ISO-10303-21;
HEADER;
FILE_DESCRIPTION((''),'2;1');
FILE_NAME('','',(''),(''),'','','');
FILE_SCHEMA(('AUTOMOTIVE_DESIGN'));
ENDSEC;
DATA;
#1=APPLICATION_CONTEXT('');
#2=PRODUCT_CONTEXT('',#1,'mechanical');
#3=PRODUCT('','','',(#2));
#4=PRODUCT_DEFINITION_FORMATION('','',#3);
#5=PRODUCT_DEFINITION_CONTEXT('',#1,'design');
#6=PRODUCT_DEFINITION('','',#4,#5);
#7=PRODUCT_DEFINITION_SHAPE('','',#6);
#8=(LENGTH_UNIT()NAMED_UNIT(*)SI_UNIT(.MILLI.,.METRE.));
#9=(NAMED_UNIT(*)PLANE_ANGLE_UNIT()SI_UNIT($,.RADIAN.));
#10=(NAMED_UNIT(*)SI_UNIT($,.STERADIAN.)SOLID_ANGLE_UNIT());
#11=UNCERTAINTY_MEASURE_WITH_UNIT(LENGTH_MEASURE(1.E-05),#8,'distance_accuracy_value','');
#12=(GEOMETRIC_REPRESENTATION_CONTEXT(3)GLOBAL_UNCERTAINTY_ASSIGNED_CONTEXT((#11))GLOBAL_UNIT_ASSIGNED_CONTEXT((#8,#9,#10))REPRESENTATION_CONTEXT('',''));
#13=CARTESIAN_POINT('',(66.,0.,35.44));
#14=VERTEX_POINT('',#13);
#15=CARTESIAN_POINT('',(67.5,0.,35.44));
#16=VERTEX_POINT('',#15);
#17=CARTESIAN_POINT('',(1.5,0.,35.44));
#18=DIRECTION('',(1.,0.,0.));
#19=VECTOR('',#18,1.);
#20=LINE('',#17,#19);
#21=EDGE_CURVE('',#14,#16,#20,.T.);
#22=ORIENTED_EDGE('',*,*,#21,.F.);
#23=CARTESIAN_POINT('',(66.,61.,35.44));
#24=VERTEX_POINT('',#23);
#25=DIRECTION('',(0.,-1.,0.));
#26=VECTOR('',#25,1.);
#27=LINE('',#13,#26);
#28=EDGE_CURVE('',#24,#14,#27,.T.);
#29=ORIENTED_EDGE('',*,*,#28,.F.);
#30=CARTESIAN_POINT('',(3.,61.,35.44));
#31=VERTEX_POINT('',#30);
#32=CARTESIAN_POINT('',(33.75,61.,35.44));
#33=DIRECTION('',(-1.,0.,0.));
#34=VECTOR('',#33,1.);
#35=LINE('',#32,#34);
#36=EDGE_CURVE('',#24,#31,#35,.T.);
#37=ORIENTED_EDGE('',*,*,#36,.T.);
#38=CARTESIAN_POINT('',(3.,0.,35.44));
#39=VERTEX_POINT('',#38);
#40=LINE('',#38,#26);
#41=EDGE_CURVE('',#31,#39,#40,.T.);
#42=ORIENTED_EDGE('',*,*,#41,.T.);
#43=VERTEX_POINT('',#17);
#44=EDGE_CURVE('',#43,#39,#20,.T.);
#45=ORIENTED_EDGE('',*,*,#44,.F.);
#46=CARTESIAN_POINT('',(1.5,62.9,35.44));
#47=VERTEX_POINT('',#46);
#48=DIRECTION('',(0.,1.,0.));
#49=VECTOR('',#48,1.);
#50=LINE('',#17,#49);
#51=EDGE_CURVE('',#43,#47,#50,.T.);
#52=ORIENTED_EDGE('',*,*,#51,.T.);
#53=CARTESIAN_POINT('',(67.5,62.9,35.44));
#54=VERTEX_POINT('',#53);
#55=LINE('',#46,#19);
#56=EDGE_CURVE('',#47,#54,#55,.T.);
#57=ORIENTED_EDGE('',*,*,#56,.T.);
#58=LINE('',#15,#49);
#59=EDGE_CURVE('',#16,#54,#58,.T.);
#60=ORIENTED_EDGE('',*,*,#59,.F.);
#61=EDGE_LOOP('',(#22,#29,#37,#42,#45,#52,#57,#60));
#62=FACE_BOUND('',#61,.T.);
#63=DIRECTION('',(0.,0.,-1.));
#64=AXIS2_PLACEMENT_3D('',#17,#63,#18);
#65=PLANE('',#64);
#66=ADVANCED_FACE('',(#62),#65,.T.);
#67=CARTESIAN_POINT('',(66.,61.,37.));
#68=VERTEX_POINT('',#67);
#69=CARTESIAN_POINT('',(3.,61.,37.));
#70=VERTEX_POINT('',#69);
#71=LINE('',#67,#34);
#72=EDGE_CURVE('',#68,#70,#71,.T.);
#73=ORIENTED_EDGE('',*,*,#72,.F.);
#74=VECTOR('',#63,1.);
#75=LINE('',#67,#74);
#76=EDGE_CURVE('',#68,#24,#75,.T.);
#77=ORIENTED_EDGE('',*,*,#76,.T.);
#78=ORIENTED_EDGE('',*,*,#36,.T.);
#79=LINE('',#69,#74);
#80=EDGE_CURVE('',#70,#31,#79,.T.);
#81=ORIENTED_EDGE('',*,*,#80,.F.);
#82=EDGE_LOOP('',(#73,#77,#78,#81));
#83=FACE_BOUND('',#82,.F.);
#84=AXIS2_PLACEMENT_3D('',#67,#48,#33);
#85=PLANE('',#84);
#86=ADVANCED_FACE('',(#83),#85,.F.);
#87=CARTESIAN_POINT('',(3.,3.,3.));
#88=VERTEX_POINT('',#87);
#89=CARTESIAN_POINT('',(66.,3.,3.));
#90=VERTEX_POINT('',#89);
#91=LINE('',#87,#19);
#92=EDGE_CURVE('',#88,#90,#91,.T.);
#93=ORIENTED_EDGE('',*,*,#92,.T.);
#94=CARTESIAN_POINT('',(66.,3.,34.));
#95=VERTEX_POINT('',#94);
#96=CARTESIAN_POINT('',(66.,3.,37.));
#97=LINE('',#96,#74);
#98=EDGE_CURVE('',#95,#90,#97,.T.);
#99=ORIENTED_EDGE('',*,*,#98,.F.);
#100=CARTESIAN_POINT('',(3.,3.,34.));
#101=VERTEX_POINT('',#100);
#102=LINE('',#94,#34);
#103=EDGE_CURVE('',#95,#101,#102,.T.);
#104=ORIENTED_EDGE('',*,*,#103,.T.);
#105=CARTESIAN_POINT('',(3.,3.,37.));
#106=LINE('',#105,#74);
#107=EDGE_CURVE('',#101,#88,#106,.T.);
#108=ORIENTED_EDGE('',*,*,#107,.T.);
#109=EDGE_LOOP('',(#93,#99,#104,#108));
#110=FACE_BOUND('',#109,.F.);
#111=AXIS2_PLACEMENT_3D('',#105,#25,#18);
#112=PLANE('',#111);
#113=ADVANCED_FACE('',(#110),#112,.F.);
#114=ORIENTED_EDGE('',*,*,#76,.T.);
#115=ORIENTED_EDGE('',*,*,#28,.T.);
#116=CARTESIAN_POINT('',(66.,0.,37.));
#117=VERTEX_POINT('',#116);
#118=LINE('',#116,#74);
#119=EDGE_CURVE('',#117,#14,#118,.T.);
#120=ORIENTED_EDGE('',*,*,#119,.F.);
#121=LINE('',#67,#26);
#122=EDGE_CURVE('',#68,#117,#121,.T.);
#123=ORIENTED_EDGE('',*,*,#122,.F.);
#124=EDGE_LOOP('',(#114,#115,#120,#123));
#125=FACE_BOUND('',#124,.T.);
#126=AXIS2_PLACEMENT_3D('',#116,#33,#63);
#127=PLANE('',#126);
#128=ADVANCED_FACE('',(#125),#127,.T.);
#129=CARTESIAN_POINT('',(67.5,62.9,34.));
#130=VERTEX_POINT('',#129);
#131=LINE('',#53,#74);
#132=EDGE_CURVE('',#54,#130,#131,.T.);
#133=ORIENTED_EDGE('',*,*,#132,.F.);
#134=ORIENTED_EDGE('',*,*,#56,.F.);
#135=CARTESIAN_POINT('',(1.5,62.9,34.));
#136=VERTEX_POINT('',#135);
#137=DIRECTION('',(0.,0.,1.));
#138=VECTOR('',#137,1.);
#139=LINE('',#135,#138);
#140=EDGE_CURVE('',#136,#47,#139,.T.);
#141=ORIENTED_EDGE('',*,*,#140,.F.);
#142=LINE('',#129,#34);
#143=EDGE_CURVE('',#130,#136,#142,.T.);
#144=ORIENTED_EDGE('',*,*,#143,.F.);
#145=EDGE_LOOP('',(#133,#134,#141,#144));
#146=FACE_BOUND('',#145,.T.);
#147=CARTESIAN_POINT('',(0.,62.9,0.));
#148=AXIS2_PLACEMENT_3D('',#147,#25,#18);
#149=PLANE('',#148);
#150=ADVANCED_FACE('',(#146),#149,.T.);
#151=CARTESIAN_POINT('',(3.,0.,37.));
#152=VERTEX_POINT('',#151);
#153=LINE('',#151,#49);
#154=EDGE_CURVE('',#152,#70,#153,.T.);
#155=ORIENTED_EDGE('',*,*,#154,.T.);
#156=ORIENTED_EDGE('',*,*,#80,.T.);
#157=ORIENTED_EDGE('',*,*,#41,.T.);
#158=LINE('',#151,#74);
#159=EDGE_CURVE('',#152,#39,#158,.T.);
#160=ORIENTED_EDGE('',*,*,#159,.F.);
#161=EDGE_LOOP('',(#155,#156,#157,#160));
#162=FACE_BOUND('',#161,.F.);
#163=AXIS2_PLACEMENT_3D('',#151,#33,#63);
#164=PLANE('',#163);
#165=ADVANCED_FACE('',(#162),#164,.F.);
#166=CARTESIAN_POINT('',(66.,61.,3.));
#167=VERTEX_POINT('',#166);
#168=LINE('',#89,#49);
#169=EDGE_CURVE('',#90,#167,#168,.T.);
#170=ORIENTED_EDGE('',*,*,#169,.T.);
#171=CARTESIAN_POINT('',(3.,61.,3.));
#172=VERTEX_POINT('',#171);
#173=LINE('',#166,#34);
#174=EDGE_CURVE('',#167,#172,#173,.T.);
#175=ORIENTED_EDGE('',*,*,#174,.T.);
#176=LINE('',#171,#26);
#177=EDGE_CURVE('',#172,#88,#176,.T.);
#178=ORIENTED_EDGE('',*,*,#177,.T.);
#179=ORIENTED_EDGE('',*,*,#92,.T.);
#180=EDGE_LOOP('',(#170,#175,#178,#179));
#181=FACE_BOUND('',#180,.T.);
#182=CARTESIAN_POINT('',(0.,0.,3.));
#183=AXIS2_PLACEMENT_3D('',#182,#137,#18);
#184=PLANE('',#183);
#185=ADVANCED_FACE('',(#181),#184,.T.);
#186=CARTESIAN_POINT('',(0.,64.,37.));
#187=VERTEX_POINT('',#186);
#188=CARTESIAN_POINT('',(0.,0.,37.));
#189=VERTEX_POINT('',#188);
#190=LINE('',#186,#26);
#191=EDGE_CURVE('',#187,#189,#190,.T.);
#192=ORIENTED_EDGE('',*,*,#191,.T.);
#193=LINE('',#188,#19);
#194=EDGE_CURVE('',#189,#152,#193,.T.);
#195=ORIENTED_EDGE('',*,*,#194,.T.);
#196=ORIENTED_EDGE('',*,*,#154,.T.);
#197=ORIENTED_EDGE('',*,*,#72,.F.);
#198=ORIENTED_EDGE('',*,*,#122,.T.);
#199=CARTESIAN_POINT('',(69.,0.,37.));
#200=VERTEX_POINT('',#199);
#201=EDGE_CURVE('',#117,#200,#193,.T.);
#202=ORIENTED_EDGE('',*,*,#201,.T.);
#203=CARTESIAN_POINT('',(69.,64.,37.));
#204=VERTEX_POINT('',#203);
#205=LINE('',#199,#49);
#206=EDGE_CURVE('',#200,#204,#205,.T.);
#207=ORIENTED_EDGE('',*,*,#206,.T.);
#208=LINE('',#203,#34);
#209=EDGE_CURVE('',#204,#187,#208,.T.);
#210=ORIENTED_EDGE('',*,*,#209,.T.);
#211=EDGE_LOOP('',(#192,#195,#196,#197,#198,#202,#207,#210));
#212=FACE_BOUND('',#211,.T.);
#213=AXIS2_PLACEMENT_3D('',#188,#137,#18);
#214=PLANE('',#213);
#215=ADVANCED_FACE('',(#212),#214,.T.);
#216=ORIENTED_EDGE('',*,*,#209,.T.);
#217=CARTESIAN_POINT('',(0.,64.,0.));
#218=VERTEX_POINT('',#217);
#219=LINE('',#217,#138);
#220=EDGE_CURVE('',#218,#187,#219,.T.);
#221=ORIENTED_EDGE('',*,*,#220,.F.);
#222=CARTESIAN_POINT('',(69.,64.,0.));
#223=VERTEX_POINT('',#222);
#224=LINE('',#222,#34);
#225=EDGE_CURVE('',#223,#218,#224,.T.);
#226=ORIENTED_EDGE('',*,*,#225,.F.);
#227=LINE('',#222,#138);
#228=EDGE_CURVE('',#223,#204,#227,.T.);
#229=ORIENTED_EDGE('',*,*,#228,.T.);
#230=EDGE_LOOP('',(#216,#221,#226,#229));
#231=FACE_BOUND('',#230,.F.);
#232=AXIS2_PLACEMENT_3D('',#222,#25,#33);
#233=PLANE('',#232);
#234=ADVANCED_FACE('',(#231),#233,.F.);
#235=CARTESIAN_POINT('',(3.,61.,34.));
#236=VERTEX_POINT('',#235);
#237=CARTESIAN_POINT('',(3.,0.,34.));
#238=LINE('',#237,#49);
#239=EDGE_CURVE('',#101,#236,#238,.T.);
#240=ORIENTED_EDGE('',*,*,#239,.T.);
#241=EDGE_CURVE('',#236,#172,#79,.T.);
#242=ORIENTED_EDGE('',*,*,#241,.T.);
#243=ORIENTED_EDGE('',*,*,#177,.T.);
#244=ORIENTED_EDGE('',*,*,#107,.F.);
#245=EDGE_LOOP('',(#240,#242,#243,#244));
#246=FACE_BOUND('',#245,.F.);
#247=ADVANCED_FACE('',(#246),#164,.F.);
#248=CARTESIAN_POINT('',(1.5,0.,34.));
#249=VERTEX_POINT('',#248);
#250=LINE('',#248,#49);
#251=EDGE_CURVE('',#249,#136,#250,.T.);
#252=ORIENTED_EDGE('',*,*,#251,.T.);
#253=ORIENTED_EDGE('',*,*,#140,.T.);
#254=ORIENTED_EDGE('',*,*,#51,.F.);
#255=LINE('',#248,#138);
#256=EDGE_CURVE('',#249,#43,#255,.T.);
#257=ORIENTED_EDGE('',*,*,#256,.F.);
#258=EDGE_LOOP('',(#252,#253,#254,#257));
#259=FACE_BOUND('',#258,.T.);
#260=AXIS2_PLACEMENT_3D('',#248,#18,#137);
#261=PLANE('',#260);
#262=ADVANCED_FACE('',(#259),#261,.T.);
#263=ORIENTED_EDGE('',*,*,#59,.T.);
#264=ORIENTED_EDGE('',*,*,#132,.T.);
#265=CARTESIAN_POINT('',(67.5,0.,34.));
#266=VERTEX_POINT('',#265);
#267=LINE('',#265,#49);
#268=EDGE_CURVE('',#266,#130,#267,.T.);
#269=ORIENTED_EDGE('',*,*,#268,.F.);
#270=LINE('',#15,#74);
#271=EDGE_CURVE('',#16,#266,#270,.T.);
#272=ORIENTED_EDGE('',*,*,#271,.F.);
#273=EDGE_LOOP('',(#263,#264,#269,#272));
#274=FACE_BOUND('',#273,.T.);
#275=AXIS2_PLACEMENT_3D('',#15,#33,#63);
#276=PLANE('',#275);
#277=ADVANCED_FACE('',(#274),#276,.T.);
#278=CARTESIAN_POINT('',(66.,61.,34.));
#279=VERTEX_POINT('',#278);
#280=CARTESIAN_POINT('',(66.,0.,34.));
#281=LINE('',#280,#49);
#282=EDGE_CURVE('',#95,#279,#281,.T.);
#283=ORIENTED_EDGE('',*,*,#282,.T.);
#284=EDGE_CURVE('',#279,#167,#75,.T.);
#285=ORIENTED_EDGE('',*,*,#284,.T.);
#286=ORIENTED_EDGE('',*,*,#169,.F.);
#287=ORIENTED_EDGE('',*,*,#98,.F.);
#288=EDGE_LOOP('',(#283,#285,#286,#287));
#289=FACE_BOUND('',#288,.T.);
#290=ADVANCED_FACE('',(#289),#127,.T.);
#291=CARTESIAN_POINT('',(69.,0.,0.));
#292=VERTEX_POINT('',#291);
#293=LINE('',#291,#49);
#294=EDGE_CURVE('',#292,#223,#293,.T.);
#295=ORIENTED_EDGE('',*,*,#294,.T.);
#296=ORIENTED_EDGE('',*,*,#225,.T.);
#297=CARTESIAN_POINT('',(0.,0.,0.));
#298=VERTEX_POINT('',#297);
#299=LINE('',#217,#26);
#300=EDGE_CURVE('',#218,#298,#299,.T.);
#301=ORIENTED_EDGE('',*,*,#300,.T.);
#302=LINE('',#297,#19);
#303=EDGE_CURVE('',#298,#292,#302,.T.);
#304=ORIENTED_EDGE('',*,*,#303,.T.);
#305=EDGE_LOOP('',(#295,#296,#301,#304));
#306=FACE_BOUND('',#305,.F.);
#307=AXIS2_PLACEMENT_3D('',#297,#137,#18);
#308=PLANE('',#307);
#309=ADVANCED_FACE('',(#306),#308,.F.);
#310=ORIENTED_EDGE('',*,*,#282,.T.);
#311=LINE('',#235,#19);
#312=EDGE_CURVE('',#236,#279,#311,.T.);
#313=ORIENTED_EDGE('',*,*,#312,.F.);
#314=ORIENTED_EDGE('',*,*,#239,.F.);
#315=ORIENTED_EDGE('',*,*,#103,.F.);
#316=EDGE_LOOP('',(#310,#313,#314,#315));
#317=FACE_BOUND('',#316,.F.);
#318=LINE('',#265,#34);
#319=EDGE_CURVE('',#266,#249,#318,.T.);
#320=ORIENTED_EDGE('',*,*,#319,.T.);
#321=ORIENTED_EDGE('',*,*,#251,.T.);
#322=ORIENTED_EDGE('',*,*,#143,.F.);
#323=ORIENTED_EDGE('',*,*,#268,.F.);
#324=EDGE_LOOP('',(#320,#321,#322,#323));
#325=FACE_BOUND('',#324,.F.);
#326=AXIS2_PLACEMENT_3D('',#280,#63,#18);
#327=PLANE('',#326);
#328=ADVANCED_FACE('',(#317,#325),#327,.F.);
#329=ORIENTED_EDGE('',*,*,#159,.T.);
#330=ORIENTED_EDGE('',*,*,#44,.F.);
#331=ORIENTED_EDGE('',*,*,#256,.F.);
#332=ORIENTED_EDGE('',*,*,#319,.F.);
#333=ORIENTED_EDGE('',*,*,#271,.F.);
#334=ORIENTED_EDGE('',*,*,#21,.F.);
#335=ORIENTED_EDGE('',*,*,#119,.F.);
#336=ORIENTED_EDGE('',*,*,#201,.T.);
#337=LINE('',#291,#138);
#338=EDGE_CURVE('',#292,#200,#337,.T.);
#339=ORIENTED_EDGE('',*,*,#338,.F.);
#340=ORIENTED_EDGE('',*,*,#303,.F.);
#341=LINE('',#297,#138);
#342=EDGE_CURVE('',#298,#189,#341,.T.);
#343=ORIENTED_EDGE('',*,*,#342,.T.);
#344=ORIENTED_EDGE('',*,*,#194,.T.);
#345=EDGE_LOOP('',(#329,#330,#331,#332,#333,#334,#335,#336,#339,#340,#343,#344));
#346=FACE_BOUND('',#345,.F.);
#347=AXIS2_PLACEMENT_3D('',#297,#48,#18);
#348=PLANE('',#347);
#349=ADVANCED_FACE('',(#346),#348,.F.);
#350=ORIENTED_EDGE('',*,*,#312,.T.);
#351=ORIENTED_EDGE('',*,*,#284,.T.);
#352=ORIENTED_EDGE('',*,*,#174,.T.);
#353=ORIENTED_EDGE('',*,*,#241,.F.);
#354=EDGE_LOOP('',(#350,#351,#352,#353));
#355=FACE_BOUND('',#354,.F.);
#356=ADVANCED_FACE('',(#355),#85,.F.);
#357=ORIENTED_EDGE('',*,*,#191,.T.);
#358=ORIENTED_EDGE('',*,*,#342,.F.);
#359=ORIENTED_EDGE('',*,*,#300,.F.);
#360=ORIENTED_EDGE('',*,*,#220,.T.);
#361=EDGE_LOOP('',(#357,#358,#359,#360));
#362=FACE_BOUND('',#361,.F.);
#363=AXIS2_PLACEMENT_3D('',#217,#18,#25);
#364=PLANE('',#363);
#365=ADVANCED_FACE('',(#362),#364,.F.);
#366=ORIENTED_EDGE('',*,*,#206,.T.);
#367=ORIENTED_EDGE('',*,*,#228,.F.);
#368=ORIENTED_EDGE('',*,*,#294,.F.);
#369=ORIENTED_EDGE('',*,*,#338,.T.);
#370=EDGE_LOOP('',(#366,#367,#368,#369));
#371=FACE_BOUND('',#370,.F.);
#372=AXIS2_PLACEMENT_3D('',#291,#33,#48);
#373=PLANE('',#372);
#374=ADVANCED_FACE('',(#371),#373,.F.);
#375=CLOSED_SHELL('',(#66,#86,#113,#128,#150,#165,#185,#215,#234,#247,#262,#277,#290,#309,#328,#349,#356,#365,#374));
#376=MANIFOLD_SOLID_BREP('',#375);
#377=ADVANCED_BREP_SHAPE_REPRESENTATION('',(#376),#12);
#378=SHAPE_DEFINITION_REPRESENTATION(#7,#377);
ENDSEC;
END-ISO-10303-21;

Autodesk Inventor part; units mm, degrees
ref_plane "YZ Plane" through (0, 0, 0) normal (1, 0, 0) x (0, 1, 0)
ref_plane "XZ Plane" through (0, 0, 0) normal (0, 1, 0) x (-1, 0, 0)
ref_plane "XY Plane" through (0, 0, 0) normal (0, 0, 1) x (1, 0, 0)
sketch "Sketch1" plane through (0, 0, 0) normal (0, 0, 1) x (1, 0, 0)
  line L0 (0, 0) -> (69, 0)
  line L1 (69, 0) -> (69, 64)
  line L2 (69, 64) -> (0, 64)
  line L3 (0, 64) -> (0, 0)
  dimension "d0" = 69
  dimension "d1" = 64
extrude "Extrusion1" add sketch "Sketch1" along normal blind 37
sketch "Sketch2" plane through (0, 0, 37) normal (0, 0, 1) x (1, 0, 0)
  line L0 (69, 64) -> (0, 64) projected
  line L1 (69, 0) -> (69, 64) projected
  line L2 (0, 64) -> (69, 64)
  line L3 (69, 64) -> (69, 0)
  line L4 (69, 0) -> (0, 0)
  line L5 (0, 0) -> (0, 64)
  line L6 (3, 3) -> (66, 3)
  line L7 (66, 3) -> (66, 61)
  line L8 (66, 61) -> (3, 61)
  line L9 (3, 61) -> (3, 3)
  dimension "d4" = 3
extrude "Extrusion2" cut sketch "Sketch2" against normal blind 34 contours L9 L8 L7 L6
sketch "Sketch3" plane through (0, 0, 0) normal (0, -1, 0) x (1, 0, 0)
  line L0 (3, 37) -> (3, 3) projected
  line L1 (66, 37) -> (66, 3) projected
  line L2 (3, 37) -> (66, 37)
  line L3 (66, 37) -> (66, 34)
  line L4 (66, 34) -> (3, 34)
  line L5 (3, 34) -> (3, 37)
  point P0 (0, 0)
  point P1 (3, 34)
  dimension "d7" = 3
extrude "Extrusion3" cut sketch "Sketch3" against normal up to surface (3 mm away)
sketch "Sketch4" plane through (0, 0, 0) normal (0, -1, 0) x (1, 0, 0)
  line L0 (3, 34) -> (66, 34) projected
  line L1 (34.5, 34) -> (67.5, 34)
  line L2 (67.5, 34) -> (1.5, 34)
  line L3 (1.5, 34) -> (1.5, 35.44)
  line L4 (1.5, 35.44) -> (67.5, 35.44)
  line L5 (67.5, 35.44) -> (67.5, 34)
  point P0 (0, 0)
  dimension "d10" = 33
  dimension "d11" = 66
  dimension "d12" = 1.44
extrude "Extrusion4" cut sketch "Sketch4" against normal blind 62.9
properties part number "TOP"
